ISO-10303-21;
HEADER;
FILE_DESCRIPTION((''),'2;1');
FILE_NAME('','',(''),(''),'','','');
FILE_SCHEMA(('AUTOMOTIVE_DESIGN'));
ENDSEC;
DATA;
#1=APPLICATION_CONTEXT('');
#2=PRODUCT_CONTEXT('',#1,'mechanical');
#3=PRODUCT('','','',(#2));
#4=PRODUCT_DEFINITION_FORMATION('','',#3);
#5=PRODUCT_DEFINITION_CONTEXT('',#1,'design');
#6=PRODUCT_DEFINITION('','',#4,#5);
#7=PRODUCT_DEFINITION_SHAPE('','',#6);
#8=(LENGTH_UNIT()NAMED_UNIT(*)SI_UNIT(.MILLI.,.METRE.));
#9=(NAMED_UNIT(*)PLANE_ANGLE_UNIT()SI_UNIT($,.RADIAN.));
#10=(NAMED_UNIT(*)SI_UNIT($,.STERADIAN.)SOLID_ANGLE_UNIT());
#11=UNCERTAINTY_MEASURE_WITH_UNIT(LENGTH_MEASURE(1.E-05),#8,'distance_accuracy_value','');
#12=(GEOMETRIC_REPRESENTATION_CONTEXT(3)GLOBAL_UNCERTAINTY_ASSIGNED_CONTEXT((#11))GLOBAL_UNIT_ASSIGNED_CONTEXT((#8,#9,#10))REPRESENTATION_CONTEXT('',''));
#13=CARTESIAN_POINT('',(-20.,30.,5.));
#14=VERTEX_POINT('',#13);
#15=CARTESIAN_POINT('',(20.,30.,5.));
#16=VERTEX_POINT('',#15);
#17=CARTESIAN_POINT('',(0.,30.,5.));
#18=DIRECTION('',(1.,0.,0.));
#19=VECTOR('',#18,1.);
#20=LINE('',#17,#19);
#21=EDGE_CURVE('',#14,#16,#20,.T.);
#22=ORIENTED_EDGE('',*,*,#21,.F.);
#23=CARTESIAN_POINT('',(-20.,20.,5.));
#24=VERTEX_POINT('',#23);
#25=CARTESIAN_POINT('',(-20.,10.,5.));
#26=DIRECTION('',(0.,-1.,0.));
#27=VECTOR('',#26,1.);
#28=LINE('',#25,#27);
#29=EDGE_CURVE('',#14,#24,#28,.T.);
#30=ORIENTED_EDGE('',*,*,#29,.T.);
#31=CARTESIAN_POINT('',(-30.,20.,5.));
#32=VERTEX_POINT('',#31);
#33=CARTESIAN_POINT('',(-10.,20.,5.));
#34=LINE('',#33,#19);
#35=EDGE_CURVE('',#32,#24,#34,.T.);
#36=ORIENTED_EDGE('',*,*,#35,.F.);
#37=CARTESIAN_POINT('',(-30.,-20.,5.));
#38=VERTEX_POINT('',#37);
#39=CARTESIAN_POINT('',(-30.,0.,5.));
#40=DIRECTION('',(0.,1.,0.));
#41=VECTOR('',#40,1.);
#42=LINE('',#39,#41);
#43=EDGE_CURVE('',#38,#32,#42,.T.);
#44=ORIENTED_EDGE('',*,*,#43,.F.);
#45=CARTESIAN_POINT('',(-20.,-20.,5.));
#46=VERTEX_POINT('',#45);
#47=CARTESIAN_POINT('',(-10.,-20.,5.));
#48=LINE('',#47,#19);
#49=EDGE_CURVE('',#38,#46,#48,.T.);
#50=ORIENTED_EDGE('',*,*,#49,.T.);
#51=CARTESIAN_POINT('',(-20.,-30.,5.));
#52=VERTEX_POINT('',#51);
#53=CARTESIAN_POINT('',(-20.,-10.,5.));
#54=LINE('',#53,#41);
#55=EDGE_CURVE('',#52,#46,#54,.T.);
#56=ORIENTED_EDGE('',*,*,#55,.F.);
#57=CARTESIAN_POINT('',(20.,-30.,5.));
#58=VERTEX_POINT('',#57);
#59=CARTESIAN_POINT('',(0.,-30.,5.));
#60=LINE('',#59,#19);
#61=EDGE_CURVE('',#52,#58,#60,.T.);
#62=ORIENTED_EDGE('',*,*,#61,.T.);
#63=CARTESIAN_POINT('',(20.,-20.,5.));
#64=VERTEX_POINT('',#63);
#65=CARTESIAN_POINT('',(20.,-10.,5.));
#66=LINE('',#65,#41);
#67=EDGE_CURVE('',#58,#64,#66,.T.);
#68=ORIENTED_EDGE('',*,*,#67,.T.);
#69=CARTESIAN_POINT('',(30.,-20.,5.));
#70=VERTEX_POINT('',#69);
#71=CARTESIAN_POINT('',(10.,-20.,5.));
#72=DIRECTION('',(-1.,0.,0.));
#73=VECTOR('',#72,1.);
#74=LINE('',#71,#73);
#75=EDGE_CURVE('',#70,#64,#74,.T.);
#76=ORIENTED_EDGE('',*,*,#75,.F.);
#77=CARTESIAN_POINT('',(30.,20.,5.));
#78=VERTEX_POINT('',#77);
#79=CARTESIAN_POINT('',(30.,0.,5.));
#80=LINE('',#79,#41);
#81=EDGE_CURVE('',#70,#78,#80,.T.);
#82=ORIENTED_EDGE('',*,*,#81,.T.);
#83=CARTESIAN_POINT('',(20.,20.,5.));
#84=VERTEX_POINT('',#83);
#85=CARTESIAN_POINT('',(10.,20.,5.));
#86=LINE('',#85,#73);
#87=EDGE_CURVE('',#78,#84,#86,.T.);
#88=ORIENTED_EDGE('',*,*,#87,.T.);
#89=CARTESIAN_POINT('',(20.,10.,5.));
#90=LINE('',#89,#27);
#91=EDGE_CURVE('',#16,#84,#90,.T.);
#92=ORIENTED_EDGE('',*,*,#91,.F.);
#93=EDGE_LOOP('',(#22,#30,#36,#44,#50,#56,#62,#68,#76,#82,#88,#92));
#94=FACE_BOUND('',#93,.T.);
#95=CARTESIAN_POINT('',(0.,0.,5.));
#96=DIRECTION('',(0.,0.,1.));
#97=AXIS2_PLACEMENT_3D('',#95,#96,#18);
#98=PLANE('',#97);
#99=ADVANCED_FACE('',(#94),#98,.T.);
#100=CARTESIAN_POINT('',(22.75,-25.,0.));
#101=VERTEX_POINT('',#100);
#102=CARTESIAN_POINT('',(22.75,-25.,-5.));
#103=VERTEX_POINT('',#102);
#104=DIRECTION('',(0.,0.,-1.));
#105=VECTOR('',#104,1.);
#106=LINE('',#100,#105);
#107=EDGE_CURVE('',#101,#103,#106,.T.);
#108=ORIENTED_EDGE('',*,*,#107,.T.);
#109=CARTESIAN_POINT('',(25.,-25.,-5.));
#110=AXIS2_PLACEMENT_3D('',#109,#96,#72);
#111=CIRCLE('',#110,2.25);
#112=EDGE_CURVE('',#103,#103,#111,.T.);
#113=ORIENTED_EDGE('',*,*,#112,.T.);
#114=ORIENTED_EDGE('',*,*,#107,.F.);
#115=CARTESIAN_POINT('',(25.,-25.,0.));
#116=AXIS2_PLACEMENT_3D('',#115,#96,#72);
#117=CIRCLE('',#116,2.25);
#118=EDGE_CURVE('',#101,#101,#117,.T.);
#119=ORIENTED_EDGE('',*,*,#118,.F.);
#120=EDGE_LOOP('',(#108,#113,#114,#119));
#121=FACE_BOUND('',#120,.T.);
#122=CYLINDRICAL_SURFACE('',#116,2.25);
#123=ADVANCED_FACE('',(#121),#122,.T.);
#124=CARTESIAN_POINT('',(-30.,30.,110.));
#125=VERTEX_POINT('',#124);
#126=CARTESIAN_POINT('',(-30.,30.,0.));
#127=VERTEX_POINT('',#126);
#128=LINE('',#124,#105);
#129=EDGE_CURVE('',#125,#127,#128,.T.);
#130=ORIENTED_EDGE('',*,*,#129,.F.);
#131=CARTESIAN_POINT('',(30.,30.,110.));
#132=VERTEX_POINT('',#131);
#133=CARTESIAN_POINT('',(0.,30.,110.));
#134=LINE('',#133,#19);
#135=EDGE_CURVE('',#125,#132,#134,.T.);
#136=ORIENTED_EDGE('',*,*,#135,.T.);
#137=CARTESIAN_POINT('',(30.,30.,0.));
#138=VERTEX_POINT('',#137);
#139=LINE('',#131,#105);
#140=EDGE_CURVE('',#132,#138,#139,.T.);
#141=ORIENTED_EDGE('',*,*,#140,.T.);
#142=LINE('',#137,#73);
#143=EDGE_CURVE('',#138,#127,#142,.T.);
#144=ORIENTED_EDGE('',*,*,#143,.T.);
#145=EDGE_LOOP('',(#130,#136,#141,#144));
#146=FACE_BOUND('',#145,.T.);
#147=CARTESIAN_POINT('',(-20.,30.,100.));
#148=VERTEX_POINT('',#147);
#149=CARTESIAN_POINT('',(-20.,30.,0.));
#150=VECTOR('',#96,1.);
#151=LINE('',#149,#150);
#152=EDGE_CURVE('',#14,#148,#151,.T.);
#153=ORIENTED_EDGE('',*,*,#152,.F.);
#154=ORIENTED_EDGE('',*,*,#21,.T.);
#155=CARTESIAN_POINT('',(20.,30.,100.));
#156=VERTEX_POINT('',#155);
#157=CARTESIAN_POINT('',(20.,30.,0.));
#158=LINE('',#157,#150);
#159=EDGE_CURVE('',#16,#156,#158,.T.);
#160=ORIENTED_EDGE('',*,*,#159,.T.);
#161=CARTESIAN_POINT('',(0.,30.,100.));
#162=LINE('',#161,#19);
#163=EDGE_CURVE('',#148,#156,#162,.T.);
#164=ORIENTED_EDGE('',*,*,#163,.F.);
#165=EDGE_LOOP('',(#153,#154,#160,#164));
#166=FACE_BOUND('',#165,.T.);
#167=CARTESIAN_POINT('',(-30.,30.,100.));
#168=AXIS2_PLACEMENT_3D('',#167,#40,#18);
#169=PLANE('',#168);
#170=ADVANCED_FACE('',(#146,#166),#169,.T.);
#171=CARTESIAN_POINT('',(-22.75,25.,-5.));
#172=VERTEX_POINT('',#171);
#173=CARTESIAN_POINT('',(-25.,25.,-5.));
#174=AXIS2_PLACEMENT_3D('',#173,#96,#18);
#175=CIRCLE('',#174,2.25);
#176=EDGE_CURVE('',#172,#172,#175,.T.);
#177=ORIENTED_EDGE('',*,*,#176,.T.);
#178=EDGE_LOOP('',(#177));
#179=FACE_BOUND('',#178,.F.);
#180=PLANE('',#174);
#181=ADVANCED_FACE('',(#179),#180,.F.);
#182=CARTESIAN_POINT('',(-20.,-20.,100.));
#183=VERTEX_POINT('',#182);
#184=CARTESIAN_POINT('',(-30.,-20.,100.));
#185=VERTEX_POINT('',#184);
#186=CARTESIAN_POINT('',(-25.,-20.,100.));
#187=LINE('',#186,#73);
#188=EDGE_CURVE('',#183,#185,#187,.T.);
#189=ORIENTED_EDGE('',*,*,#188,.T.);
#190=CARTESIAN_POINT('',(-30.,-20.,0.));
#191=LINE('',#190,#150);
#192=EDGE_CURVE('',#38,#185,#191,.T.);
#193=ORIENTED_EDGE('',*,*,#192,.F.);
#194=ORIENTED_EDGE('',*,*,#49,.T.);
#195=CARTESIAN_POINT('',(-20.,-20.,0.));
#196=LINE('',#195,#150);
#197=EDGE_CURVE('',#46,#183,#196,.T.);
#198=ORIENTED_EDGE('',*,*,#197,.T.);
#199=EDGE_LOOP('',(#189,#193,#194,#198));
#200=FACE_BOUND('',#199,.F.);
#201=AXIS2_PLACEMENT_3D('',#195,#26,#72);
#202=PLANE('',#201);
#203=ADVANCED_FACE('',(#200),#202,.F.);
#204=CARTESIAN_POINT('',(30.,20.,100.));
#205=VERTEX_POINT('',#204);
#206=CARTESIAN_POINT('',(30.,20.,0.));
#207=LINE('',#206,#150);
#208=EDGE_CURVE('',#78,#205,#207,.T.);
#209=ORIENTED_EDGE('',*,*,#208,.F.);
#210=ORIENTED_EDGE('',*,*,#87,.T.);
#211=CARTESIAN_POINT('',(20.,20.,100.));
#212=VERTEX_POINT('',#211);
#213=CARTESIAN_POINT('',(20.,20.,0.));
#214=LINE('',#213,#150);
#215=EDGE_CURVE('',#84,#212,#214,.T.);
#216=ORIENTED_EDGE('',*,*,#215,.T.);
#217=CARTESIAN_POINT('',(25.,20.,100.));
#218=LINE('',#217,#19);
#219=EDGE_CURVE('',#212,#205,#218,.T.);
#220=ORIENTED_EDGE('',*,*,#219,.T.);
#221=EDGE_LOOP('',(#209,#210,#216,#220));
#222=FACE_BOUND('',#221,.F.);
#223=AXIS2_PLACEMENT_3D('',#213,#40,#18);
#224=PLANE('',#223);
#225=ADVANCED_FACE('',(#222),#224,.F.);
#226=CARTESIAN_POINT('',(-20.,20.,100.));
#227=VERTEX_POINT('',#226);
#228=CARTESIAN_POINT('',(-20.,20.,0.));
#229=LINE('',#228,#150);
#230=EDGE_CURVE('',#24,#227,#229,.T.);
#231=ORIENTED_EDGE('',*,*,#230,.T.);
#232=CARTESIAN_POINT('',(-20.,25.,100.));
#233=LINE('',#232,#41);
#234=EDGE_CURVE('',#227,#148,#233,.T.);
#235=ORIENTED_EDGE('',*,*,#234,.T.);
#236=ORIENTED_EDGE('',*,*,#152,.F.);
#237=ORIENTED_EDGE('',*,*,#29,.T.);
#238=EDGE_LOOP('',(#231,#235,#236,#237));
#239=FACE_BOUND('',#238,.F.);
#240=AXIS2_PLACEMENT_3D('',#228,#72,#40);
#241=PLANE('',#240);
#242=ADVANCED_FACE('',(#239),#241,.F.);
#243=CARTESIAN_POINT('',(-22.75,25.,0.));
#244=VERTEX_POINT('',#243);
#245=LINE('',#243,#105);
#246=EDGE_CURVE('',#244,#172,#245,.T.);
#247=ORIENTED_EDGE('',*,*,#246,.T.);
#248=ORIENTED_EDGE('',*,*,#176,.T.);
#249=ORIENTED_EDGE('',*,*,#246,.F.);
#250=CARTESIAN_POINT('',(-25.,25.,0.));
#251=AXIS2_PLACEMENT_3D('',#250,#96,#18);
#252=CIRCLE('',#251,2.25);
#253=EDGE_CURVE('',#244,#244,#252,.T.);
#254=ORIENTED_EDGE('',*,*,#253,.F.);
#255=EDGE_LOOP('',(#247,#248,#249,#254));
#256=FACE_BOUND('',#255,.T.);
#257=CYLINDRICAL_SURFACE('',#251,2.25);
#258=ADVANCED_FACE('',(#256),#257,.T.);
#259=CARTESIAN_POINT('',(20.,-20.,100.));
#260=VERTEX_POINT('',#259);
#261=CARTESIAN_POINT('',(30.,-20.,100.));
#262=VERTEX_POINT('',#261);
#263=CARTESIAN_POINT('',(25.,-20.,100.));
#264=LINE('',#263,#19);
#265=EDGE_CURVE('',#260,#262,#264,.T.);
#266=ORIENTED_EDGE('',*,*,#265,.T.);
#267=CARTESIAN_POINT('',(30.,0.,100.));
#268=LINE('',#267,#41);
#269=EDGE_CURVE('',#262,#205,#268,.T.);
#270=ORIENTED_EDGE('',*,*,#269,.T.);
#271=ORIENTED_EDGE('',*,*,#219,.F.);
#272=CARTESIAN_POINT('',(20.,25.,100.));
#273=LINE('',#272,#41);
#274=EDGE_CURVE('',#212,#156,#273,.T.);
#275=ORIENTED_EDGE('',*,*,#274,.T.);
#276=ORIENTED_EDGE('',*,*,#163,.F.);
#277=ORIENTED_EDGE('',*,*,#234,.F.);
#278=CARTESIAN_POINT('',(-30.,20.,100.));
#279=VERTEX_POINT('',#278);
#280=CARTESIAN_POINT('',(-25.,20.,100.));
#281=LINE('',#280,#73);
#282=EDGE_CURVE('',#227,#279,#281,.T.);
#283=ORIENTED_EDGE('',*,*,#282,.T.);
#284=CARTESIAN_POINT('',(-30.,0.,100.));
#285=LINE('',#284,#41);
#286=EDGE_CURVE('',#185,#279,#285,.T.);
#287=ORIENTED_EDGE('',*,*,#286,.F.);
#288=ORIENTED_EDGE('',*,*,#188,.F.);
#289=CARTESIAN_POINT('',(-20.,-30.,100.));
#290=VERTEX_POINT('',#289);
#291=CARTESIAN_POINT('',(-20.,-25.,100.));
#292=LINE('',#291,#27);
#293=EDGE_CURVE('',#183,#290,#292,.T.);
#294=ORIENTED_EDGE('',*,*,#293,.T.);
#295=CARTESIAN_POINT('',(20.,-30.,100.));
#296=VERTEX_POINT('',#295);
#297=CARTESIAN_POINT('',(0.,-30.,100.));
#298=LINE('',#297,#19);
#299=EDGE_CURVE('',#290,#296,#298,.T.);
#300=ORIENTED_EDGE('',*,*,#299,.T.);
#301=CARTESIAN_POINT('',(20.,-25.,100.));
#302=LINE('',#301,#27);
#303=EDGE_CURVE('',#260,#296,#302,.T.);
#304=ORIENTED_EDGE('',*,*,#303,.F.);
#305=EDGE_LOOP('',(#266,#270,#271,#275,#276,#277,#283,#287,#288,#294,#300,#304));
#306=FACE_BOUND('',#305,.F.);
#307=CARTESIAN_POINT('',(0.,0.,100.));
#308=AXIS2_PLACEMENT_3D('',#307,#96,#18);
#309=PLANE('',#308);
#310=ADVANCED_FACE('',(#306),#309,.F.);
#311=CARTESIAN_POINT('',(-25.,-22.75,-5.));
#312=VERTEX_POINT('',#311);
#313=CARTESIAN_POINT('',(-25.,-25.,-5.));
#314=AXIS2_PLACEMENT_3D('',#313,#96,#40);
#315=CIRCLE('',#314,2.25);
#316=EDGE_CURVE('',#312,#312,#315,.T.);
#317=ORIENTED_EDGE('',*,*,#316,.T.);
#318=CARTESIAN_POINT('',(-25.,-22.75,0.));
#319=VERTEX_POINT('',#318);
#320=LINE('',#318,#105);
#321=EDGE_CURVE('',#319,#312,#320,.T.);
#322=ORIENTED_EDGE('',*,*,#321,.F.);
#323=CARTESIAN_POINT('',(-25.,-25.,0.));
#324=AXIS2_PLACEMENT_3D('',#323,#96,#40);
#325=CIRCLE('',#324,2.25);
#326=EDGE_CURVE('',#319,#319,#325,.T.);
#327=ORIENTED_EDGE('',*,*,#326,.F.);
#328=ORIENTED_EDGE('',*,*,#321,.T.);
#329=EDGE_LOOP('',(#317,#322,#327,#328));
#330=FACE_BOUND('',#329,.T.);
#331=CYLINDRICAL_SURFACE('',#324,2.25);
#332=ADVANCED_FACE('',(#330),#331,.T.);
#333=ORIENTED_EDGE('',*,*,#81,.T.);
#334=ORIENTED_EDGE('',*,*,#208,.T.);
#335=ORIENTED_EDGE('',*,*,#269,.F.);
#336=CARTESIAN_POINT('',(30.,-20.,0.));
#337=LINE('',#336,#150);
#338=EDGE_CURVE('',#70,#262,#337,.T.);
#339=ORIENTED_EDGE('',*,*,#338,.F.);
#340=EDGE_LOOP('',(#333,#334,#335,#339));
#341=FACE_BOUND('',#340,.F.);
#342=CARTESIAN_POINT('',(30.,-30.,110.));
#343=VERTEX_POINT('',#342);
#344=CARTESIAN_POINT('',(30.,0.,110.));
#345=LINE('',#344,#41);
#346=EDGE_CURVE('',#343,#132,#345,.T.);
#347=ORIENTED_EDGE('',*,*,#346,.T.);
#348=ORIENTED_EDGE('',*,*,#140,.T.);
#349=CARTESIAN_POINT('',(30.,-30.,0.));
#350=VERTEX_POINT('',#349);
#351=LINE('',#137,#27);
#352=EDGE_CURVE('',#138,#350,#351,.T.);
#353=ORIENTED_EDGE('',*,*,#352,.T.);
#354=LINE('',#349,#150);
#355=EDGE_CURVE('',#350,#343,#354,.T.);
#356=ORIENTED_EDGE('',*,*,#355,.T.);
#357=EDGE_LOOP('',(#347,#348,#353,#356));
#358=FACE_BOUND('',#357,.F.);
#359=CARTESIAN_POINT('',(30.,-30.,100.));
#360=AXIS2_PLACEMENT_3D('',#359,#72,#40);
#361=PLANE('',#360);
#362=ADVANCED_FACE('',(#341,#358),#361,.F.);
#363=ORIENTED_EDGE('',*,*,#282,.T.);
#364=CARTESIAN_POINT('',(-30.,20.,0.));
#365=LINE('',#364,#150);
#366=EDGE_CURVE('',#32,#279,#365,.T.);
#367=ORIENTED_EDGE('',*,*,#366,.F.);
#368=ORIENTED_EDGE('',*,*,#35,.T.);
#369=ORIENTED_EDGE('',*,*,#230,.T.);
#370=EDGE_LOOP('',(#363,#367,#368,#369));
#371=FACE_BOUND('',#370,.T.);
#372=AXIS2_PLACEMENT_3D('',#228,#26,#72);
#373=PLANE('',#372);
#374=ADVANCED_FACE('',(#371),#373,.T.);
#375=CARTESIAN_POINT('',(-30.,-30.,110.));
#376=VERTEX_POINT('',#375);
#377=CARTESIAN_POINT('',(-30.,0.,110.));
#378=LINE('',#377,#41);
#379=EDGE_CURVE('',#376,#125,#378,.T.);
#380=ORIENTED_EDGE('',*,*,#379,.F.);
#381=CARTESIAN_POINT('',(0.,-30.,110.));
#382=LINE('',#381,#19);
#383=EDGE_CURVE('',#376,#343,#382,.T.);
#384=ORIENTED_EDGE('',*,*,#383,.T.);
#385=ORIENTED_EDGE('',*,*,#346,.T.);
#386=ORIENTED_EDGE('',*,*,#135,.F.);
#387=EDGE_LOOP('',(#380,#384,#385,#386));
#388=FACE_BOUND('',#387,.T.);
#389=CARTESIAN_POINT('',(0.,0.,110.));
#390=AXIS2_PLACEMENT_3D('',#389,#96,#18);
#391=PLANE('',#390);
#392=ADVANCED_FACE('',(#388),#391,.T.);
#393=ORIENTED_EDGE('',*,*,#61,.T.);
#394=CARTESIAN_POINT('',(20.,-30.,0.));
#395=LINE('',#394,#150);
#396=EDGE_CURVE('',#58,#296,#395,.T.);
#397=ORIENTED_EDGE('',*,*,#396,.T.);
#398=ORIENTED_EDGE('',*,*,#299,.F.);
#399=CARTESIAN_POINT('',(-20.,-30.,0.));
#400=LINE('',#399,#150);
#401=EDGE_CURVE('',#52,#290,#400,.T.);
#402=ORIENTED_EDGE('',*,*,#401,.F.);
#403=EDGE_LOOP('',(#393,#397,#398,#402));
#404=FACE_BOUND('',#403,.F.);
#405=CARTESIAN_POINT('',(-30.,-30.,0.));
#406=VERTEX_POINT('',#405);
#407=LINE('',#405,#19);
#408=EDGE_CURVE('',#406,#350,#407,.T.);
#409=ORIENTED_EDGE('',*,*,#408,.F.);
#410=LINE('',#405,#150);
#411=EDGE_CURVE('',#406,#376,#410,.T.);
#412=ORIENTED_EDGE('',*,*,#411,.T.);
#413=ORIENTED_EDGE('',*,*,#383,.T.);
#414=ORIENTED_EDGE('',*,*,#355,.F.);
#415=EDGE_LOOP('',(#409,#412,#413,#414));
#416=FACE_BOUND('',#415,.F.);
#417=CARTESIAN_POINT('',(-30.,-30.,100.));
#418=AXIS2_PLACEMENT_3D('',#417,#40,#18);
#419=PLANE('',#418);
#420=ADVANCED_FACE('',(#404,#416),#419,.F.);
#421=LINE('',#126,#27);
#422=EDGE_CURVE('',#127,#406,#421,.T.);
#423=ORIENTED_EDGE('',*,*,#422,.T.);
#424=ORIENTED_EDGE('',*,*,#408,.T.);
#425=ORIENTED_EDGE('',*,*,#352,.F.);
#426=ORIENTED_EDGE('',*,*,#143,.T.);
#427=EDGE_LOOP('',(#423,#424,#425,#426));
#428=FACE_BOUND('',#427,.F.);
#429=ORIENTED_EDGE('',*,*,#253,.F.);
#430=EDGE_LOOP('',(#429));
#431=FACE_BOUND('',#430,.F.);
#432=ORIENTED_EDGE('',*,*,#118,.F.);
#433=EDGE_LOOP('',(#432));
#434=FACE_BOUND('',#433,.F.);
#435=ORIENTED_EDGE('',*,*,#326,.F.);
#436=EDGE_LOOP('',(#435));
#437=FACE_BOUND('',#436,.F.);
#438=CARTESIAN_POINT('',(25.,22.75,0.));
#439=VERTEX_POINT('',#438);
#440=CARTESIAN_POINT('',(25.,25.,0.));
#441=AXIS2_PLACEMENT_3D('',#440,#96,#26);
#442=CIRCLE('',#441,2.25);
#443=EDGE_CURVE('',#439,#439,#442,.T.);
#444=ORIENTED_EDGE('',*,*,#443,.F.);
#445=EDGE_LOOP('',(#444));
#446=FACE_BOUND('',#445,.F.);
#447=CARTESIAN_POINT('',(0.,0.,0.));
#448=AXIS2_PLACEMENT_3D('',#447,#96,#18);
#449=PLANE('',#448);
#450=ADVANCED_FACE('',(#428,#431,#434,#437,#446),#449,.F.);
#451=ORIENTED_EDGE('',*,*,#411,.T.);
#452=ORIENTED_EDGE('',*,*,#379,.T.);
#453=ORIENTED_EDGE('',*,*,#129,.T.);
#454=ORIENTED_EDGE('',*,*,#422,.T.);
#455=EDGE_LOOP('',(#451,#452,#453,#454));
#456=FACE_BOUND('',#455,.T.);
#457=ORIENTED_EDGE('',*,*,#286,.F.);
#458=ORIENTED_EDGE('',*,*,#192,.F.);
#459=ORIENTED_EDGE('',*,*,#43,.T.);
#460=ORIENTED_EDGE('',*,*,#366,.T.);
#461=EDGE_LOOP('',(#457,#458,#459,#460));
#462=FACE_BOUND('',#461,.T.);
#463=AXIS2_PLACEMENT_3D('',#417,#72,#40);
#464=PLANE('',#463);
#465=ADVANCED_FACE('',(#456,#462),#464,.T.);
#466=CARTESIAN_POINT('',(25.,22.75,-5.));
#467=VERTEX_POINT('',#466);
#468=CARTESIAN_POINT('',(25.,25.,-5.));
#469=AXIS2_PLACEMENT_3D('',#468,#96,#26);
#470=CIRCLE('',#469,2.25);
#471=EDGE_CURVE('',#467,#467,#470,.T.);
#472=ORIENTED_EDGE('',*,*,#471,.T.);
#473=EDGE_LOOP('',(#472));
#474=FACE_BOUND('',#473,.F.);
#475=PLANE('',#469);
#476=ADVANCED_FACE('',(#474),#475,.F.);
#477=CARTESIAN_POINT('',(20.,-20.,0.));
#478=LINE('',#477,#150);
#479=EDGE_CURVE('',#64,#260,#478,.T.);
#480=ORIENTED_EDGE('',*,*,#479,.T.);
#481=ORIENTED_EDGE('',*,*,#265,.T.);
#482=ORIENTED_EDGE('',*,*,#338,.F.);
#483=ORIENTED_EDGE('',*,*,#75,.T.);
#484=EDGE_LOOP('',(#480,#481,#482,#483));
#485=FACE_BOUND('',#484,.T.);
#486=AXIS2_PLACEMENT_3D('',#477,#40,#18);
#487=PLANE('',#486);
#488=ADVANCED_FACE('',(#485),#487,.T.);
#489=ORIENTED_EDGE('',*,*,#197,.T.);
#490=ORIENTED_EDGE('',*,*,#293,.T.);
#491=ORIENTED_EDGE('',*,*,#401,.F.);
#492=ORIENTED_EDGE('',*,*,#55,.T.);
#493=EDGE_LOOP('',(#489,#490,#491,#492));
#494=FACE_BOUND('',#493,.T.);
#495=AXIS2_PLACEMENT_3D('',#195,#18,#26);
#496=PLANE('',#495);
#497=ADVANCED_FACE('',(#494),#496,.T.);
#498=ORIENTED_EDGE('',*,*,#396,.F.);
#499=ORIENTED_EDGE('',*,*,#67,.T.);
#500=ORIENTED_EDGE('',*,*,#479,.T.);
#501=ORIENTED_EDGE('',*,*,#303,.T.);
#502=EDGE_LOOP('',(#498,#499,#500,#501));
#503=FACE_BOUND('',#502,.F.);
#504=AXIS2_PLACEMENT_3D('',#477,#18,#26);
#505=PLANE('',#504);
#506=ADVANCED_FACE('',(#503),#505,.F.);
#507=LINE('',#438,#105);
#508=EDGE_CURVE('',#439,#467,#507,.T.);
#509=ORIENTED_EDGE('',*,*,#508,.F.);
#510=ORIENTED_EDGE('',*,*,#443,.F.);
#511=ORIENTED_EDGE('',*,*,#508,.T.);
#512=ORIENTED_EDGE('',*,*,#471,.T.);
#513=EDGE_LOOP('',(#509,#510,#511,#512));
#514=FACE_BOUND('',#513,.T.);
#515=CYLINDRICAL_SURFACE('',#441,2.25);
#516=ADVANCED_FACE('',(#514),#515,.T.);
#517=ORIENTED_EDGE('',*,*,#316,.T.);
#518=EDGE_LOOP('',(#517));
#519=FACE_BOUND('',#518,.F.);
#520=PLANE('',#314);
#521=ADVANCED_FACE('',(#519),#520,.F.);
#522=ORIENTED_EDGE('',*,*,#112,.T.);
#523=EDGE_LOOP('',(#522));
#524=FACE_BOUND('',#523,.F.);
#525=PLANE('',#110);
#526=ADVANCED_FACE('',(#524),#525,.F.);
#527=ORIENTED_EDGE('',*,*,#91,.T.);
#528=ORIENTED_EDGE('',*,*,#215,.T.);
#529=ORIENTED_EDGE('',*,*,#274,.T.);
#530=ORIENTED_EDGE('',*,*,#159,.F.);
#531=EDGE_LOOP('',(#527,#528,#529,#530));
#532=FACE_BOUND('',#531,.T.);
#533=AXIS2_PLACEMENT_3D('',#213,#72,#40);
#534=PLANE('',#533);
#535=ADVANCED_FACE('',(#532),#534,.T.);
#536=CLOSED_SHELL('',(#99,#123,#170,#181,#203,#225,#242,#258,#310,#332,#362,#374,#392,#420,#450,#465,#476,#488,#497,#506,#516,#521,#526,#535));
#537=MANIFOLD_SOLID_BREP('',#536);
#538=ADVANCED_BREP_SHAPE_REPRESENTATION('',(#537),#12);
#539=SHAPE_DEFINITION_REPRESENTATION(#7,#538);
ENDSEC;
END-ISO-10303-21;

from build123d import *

# Parameters (mm, degrees)
SKETCH_W              = 60
SKETCH_H              = 60
PAD_DEPTH             = 5
SKETCH001_R           = 2.25
PAD001_DEPTH          = 5
POLARPATTERN_COUNT    = 4
SKETCH002_W           = 10
SKETCH002_H           = 10
PAD002_DEPTH          = 100
POLARPATTERN001_COUNT = 4
SKETCH003_W           = 60
SKETCH003_H           = 60
PAD003_DEPTH          = 10


with BuildPart() as part:
    # Sketch → Pad (new body)
    with BuildSketch(Plane.XY):
        Rectangle(SKETCH_W, SKETCH_H)
    extrude(amount=PAD_DEPTH)

    # Sketch001 → Pad001 (join)
    with BuildSketch(Plane.XY):
        with Locations((-25, 25)):
            Circle(SKETCH001_R)
    pad001 = extrude(amount=-PAD001_DEPTH)

    # PolarPattern: Pad001 ×4 about axis
    polarpattern_axis = Axis((0, 0, 0), (0, 0, 1))
    for i in range(1, POLARPATTERN_COUNT):
        add(pad001.rotate(polarpattern_axis, i * 360 / POLARPATTERN_COUNT))

    # Sketch002 → Pad002 (join)
    with BuildSketch(Plane.XY):
        with Locations((25, 25)):
            Rectangle(SKETCH002_W, SKETCH002_H)
    pad002 = extrude(amount=PAD002_DEPTH)

    # PolarPattern001: Pad002 ×4 about axis
    polarpattern001_axis = Axis((0, 0, 0), (0, 0, 1))
    for i in range(1, POLARPATTERN001_COUNT):
        add(pad002.rotate(polarpattern001_axis, i * 360 / POLARPATTERN001_COUNT))

    # Sketch003 → Pad003 (join)
    with BuildSketch(Plane.XY.offset(100)):
        Rectangle(SKETCH003_W, SKETCH003_H)
    extrude(amount=PAD003_DEPTH)


solid = part.part
